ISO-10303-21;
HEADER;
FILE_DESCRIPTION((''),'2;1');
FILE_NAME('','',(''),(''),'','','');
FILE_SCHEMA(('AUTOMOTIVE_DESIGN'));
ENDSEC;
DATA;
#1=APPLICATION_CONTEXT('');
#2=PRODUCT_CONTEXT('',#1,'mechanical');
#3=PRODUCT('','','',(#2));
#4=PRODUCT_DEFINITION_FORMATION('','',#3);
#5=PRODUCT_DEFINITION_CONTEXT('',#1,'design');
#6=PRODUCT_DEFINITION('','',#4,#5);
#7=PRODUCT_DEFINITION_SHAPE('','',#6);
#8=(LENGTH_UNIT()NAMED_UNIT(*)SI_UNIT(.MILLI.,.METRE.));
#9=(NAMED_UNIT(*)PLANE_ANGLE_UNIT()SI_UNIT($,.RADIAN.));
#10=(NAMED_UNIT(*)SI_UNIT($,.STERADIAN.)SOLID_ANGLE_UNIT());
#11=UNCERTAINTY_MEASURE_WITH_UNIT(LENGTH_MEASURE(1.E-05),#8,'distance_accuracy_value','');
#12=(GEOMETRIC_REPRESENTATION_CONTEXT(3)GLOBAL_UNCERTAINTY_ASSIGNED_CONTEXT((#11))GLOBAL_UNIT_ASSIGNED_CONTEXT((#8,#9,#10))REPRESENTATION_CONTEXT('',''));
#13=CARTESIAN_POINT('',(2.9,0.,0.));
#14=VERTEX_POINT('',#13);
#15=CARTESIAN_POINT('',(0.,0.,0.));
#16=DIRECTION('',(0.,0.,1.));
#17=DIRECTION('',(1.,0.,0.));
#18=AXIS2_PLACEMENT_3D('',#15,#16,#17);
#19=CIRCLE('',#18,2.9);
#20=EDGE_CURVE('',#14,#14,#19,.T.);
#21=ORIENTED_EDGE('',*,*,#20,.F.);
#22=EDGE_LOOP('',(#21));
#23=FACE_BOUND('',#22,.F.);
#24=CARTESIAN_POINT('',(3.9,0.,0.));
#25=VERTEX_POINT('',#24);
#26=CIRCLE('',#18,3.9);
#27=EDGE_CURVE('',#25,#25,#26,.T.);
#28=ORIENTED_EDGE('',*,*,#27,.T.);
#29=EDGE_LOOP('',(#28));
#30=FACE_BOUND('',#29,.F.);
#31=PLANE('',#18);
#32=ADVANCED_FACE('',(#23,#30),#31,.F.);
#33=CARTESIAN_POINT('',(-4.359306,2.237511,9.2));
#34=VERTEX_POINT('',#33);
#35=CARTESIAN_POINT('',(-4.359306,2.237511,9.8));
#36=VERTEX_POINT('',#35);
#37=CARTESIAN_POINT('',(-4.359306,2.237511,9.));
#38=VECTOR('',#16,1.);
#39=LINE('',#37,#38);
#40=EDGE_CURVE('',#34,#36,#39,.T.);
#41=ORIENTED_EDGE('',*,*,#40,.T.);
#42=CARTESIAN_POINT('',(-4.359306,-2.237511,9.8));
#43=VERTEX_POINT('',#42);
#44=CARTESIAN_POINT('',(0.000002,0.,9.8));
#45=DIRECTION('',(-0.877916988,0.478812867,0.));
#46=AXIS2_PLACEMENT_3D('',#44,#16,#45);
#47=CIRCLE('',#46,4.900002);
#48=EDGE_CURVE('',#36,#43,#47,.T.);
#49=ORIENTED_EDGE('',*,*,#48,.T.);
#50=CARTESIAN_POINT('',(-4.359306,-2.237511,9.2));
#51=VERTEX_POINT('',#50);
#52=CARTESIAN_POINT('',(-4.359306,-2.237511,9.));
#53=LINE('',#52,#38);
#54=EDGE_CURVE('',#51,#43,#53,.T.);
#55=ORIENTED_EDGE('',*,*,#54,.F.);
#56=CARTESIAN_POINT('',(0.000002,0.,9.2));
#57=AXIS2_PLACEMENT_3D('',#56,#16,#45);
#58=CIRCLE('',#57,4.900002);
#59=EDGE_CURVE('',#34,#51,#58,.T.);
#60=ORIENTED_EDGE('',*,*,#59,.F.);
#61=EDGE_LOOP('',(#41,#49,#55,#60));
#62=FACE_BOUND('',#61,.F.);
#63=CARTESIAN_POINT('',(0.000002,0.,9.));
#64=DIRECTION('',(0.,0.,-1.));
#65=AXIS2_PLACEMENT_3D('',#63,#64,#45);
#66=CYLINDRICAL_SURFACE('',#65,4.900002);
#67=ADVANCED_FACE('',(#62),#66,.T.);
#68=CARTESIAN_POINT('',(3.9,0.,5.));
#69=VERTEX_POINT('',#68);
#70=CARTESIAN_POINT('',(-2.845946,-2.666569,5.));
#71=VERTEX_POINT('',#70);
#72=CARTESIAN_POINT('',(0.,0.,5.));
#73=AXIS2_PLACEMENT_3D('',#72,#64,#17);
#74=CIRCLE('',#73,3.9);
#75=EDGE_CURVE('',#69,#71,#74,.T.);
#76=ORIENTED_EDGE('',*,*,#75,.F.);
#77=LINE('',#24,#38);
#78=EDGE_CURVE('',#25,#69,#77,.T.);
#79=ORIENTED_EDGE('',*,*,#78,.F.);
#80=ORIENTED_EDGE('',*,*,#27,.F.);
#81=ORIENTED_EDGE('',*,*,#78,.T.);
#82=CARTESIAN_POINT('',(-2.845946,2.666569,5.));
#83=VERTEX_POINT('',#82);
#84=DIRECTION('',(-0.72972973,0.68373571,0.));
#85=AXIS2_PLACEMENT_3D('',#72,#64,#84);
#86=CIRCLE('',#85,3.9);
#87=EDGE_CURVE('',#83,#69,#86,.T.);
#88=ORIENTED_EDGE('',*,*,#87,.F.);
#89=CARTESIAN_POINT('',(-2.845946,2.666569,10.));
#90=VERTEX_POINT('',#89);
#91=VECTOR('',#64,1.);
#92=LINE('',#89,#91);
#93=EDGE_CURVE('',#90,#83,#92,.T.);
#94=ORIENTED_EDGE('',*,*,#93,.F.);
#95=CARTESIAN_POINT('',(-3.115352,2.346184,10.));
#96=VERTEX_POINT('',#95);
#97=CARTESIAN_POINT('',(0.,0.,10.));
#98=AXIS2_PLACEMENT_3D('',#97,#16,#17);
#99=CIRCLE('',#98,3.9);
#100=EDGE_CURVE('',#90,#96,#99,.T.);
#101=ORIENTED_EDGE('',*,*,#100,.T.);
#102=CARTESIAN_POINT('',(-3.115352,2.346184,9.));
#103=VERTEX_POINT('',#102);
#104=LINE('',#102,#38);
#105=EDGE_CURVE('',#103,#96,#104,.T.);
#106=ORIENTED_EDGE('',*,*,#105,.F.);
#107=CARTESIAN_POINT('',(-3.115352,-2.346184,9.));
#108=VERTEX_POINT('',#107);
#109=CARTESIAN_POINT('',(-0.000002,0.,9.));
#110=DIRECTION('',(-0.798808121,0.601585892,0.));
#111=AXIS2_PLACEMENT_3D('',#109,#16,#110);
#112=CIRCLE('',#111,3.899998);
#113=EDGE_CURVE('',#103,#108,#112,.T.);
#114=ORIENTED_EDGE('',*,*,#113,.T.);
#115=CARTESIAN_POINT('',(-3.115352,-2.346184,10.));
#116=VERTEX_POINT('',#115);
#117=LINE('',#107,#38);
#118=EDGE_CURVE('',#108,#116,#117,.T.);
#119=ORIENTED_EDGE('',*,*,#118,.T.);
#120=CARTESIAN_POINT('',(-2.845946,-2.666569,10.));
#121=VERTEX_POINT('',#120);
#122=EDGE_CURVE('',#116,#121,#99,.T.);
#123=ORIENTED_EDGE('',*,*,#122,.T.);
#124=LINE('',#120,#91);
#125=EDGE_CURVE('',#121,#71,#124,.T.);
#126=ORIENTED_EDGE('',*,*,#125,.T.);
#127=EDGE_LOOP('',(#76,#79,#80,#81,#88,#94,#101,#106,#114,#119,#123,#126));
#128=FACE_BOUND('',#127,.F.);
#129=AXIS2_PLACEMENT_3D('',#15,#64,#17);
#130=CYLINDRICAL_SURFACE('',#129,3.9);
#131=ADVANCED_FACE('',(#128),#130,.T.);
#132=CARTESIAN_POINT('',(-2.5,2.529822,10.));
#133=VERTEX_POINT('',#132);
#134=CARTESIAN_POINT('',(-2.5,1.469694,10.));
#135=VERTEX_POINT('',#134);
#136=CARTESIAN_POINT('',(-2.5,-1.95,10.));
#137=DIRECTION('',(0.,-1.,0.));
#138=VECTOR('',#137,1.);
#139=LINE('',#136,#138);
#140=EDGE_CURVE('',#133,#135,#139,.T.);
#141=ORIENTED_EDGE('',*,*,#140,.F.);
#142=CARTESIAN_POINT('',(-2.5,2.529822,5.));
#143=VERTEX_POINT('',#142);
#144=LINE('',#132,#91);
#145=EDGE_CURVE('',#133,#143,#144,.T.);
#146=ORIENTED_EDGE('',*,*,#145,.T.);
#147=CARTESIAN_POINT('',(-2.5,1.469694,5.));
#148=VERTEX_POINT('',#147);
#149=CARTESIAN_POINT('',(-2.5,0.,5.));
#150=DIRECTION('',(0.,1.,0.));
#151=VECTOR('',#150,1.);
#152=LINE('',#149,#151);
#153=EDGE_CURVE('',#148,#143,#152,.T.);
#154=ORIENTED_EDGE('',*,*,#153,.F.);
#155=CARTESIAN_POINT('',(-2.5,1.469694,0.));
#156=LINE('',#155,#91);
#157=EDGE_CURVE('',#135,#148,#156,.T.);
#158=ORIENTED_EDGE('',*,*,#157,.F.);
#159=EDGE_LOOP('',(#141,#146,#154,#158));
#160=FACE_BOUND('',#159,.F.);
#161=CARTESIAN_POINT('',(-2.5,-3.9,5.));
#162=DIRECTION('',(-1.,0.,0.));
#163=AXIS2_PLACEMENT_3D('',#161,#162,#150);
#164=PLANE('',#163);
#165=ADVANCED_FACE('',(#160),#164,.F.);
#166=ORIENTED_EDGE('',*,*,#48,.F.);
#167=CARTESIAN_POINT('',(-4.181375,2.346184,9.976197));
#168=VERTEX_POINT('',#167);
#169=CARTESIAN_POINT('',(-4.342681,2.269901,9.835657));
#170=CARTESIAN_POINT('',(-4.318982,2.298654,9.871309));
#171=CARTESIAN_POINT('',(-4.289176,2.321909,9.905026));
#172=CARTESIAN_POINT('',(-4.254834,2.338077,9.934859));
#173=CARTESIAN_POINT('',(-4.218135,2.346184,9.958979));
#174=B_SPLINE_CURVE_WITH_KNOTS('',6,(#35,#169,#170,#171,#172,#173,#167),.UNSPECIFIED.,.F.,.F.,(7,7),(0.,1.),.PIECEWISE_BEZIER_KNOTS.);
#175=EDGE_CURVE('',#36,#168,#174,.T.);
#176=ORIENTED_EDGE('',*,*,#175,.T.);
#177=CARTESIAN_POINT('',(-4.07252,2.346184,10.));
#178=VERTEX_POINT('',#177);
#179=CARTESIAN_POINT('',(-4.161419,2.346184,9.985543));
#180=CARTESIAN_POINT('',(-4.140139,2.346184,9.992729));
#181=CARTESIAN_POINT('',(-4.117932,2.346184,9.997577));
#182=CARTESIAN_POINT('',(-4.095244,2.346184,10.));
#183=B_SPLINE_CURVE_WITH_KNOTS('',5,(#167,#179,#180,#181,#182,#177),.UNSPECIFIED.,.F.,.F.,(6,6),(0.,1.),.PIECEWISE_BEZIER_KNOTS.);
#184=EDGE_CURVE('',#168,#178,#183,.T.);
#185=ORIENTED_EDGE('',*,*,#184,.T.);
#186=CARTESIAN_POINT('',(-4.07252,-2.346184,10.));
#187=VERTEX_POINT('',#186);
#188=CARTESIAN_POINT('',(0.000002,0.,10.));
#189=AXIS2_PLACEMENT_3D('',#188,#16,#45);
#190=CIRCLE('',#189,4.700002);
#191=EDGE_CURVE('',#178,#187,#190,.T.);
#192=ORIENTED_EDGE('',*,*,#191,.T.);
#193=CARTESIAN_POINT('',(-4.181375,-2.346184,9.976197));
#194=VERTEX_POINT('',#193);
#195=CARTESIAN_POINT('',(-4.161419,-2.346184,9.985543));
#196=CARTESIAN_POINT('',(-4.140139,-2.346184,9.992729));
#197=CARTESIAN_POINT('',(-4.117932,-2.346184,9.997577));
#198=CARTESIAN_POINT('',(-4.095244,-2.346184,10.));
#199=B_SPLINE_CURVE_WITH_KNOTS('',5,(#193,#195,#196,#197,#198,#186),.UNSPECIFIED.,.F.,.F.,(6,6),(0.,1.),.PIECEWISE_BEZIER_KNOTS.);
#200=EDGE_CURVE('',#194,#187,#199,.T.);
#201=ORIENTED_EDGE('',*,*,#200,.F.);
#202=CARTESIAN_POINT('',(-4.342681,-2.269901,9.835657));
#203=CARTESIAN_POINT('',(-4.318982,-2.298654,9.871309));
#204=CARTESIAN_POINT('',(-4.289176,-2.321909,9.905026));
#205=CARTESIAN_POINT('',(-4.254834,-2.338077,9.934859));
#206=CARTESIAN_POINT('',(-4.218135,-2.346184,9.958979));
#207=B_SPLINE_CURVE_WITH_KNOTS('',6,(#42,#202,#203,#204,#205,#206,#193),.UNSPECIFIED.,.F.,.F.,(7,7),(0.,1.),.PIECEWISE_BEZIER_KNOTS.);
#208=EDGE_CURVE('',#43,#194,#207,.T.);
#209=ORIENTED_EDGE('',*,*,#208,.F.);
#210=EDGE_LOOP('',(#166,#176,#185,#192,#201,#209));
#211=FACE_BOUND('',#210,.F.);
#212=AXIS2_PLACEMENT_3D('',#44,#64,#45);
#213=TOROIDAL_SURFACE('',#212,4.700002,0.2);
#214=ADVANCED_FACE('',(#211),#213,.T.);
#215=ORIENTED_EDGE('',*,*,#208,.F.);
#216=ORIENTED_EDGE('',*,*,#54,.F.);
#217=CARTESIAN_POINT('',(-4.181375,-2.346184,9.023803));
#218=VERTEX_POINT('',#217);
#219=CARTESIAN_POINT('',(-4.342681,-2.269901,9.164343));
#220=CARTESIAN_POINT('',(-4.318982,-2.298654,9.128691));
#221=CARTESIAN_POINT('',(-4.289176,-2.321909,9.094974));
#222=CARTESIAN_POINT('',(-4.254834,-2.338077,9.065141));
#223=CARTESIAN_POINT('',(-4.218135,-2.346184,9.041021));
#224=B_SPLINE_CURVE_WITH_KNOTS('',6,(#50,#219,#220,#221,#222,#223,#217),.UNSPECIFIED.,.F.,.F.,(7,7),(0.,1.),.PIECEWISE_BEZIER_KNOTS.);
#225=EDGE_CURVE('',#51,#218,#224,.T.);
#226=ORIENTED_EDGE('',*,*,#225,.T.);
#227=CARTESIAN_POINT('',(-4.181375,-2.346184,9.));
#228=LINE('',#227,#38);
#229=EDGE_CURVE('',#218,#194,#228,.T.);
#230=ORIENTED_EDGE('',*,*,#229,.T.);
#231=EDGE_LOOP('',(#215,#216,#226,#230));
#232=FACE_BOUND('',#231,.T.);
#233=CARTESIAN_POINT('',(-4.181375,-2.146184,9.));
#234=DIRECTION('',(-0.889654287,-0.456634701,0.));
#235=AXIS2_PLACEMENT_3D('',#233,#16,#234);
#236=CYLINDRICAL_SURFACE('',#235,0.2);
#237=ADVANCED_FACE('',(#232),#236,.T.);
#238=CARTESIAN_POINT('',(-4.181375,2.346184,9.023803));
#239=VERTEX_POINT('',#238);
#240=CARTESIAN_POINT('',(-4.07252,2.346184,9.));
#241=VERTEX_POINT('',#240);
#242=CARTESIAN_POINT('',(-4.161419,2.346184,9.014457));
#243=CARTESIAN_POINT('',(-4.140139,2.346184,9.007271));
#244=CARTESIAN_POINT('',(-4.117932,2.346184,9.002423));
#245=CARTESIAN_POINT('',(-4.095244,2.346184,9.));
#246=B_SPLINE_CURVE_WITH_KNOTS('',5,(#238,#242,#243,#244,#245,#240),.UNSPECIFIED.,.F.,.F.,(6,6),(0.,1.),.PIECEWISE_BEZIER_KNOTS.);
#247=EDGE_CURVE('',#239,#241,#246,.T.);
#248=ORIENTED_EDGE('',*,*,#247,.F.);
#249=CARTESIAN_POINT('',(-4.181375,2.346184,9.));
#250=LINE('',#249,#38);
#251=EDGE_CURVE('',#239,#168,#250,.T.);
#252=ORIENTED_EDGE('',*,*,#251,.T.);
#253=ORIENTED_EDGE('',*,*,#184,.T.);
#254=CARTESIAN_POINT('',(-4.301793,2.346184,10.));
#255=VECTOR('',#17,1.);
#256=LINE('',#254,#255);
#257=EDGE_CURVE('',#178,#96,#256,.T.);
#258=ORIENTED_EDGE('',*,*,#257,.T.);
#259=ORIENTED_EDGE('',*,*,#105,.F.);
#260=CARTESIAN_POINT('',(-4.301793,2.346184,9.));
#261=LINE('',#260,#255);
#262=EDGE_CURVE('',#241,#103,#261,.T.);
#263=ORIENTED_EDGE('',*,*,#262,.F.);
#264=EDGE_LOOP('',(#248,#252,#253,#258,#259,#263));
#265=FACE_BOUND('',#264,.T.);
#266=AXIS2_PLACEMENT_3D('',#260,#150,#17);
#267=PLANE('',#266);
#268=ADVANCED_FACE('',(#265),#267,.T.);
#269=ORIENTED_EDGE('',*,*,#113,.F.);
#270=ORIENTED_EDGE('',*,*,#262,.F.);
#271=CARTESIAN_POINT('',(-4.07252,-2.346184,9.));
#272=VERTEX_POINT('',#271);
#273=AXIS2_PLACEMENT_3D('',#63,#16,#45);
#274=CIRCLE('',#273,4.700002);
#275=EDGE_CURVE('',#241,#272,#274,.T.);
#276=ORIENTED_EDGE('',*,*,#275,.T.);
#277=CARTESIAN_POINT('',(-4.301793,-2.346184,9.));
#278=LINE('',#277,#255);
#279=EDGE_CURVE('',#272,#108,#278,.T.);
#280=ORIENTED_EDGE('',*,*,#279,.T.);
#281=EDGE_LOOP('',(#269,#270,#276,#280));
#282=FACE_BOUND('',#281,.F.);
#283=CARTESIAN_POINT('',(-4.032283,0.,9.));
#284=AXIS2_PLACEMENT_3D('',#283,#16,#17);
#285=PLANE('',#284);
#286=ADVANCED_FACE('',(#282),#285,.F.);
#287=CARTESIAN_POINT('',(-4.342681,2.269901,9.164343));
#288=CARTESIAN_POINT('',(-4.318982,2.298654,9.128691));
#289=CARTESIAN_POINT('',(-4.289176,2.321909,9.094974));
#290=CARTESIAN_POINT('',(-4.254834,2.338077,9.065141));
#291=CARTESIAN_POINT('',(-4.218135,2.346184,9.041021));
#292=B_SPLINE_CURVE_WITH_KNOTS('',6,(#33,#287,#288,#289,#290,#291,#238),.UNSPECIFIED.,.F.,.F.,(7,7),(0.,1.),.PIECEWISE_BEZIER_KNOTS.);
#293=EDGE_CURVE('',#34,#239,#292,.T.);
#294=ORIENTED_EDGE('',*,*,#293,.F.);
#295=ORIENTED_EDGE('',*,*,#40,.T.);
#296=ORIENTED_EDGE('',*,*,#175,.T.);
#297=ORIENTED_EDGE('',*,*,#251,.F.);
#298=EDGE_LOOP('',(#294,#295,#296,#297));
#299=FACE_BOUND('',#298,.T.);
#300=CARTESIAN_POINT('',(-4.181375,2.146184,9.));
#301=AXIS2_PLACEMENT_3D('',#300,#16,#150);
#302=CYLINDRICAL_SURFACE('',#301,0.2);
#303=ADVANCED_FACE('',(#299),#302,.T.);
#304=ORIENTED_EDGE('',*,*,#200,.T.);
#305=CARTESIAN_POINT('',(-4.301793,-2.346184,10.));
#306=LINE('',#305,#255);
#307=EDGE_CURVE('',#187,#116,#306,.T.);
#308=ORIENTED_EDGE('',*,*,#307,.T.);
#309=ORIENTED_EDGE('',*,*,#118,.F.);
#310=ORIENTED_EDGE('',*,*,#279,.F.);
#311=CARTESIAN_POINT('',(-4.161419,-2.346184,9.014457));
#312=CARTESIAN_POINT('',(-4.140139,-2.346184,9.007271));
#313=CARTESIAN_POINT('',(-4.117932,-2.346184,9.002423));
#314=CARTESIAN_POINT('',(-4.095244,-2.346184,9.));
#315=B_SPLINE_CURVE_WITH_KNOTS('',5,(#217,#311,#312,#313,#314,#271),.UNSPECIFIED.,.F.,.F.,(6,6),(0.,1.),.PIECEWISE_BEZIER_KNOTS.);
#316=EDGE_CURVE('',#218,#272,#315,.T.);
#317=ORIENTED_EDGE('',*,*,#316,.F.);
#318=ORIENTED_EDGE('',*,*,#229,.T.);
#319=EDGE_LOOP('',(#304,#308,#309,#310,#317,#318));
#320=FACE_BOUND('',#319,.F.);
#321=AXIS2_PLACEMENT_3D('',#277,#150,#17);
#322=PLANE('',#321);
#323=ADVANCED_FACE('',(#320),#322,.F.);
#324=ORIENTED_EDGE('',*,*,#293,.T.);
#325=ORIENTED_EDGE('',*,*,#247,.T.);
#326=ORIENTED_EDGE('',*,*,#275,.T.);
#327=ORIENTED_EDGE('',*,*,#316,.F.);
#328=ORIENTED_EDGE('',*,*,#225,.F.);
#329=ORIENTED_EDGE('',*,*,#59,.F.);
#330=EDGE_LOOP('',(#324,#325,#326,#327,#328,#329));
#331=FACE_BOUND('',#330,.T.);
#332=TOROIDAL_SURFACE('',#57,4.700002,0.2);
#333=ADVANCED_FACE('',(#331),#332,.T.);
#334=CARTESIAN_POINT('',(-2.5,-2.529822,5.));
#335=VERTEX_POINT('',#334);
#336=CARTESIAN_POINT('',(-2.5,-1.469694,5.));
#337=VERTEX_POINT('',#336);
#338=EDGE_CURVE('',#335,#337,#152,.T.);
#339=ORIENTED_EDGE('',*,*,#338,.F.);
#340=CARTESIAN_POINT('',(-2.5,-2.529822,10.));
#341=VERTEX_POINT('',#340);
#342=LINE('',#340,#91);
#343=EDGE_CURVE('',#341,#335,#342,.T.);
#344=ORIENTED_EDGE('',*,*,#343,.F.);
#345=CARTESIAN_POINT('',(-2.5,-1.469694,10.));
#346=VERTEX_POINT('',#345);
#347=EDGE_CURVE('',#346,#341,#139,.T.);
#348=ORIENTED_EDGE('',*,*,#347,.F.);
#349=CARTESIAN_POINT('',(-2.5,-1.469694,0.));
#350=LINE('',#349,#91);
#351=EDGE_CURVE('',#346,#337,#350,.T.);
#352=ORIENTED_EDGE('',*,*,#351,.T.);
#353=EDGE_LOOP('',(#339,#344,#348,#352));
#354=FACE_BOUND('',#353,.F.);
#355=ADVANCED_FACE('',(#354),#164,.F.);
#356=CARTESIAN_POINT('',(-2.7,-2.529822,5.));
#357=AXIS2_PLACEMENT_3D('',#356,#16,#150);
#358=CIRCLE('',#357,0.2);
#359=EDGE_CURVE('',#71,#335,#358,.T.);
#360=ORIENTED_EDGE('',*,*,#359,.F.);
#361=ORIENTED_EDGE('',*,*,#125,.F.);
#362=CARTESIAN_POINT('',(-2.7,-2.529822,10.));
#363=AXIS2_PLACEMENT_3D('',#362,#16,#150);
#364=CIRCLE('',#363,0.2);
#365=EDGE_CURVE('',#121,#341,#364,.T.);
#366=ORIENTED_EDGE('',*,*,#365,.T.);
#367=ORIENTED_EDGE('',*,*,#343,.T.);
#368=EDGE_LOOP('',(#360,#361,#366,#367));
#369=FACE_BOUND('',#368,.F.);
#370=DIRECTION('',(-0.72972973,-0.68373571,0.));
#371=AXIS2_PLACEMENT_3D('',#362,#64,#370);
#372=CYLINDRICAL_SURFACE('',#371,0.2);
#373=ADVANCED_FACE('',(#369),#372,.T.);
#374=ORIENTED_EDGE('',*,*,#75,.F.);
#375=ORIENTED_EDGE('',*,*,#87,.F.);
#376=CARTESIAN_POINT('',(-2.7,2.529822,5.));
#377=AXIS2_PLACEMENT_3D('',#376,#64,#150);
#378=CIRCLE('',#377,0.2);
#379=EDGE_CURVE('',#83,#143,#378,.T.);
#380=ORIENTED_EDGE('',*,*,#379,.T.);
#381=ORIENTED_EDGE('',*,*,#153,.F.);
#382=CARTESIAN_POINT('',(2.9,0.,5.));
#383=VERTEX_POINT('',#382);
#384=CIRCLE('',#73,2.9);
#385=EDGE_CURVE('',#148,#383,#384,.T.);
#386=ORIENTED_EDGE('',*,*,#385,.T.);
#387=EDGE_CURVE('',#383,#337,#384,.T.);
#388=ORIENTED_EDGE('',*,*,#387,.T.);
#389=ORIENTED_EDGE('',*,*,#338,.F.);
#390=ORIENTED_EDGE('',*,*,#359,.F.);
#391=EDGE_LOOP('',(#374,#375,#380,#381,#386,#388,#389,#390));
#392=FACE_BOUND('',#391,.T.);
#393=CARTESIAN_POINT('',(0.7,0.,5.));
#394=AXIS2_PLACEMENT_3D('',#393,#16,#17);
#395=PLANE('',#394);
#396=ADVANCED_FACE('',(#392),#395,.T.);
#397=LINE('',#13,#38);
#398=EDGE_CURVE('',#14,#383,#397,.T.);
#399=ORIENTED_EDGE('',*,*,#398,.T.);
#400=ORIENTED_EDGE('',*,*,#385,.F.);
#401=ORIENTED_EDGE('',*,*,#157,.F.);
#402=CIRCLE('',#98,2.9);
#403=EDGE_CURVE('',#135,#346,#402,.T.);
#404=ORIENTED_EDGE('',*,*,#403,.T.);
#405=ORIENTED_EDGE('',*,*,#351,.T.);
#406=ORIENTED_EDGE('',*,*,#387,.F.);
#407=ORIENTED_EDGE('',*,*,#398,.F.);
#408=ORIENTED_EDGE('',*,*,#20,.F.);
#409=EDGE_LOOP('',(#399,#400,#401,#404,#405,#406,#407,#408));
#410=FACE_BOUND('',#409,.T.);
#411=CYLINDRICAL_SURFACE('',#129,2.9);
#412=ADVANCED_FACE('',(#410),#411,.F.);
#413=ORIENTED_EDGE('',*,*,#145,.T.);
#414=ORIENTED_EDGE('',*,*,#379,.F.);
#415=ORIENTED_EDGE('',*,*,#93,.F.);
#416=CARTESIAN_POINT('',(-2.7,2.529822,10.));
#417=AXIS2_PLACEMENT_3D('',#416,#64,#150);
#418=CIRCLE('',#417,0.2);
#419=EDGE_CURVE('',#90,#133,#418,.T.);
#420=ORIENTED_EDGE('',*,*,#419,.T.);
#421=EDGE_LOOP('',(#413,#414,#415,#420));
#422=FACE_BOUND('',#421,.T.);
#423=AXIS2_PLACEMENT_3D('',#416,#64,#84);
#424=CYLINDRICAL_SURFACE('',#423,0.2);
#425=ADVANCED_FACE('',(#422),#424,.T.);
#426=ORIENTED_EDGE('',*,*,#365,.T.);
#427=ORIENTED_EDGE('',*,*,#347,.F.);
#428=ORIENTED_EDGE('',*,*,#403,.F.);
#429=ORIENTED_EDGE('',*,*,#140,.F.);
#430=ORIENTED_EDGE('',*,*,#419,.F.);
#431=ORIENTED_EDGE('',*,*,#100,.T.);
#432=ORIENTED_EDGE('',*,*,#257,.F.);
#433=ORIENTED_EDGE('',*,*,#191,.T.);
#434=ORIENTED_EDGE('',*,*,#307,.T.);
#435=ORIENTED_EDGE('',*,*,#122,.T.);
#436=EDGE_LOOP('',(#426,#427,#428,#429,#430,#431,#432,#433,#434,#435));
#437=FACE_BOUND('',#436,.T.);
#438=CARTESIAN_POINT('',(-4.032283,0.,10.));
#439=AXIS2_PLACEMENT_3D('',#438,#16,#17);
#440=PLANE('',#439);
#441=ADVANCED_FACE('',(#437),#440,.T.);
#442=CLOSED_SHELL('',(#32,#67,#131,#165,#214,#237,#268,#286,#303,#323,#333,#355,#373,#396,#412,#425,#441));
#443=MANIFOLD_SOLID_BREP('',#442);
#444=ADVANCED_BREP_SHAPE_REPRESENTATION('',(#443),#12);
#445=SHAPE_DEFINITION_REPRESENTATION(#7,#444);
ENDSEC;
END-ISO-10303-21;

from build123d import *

# Parameters (mm, degrees)
SKETCH_R     = 3.9
SKETCH_R_2   = 2.9
PAD_DEPTH    = 10
SKETCH001_W  = 6.4
SKETCH001_H  = 7.8
POCKET_DEPTH = 5.001
PAD001_DEPTH = 1
FILLET_R     = 0.2
FILLET001_R  = 0.2


with BuildPart() as part:
    # Sketch → Pad (new body)
    with BuildSketch(Plane.XY):
        Circle(SKETCH_R)
        Circle(SKETCH_R_2, mode=Mode.SUBTRACT)
    extrude(amount=PAD_DEPTH)

    # Sketch001 → Pocket (cut, through all)
    with BuildSketch(Plane.XY.offset(5)):
        with Locations((0.7, 0)):
            Rectangle(SKETCH001_W, SKETCH001_H)
    extrude(amount=POCKET_DEPTH, mode=Mode.SUBTRACT)

    # Sketch002 → Pad001 (join)
    with BuildSketch(Plane.XY.offset(9)):
        with BuildLine():
            ThreePointArc((-4.301793, 2.346184), (-4.9, 0), (-4.301793, -2.346184))
            Line((-4.301793, -2.346184), (-3.115352, -2.346184))
            ThreePointArc((-3.115352, 2.346184), (-3.9, 0), (-3.115352, -2.346184))
            Line((-4.301793, 2.346184), (-3.115352, 2.346184))
        make_face()
    extrude(amount=PAD001_DEPTH)

    # Fillet
    fillet_edges = [part.edges().sort_by_distance(p)[0] for p in [
        (-2.5, -2.993326, 7.5),
        (-2.5, 2.993326, 7.5),
    ]]
    fillet(fillet_edges, radius=FILLET_R)

    # Fillet001
    fillet001_edges = [part.edges().sort_by_distance(p)[0] for p in [
        (-4.301793, 2.346184, 9.5),
        (-4.301793, -2.346184, 9.5),
        (-4.9, 0, 9),
        (-4.9, 0, 10),
    ]]
    fillet(fillet001_edges, radius=FILLET001_R)


solid = part.part
